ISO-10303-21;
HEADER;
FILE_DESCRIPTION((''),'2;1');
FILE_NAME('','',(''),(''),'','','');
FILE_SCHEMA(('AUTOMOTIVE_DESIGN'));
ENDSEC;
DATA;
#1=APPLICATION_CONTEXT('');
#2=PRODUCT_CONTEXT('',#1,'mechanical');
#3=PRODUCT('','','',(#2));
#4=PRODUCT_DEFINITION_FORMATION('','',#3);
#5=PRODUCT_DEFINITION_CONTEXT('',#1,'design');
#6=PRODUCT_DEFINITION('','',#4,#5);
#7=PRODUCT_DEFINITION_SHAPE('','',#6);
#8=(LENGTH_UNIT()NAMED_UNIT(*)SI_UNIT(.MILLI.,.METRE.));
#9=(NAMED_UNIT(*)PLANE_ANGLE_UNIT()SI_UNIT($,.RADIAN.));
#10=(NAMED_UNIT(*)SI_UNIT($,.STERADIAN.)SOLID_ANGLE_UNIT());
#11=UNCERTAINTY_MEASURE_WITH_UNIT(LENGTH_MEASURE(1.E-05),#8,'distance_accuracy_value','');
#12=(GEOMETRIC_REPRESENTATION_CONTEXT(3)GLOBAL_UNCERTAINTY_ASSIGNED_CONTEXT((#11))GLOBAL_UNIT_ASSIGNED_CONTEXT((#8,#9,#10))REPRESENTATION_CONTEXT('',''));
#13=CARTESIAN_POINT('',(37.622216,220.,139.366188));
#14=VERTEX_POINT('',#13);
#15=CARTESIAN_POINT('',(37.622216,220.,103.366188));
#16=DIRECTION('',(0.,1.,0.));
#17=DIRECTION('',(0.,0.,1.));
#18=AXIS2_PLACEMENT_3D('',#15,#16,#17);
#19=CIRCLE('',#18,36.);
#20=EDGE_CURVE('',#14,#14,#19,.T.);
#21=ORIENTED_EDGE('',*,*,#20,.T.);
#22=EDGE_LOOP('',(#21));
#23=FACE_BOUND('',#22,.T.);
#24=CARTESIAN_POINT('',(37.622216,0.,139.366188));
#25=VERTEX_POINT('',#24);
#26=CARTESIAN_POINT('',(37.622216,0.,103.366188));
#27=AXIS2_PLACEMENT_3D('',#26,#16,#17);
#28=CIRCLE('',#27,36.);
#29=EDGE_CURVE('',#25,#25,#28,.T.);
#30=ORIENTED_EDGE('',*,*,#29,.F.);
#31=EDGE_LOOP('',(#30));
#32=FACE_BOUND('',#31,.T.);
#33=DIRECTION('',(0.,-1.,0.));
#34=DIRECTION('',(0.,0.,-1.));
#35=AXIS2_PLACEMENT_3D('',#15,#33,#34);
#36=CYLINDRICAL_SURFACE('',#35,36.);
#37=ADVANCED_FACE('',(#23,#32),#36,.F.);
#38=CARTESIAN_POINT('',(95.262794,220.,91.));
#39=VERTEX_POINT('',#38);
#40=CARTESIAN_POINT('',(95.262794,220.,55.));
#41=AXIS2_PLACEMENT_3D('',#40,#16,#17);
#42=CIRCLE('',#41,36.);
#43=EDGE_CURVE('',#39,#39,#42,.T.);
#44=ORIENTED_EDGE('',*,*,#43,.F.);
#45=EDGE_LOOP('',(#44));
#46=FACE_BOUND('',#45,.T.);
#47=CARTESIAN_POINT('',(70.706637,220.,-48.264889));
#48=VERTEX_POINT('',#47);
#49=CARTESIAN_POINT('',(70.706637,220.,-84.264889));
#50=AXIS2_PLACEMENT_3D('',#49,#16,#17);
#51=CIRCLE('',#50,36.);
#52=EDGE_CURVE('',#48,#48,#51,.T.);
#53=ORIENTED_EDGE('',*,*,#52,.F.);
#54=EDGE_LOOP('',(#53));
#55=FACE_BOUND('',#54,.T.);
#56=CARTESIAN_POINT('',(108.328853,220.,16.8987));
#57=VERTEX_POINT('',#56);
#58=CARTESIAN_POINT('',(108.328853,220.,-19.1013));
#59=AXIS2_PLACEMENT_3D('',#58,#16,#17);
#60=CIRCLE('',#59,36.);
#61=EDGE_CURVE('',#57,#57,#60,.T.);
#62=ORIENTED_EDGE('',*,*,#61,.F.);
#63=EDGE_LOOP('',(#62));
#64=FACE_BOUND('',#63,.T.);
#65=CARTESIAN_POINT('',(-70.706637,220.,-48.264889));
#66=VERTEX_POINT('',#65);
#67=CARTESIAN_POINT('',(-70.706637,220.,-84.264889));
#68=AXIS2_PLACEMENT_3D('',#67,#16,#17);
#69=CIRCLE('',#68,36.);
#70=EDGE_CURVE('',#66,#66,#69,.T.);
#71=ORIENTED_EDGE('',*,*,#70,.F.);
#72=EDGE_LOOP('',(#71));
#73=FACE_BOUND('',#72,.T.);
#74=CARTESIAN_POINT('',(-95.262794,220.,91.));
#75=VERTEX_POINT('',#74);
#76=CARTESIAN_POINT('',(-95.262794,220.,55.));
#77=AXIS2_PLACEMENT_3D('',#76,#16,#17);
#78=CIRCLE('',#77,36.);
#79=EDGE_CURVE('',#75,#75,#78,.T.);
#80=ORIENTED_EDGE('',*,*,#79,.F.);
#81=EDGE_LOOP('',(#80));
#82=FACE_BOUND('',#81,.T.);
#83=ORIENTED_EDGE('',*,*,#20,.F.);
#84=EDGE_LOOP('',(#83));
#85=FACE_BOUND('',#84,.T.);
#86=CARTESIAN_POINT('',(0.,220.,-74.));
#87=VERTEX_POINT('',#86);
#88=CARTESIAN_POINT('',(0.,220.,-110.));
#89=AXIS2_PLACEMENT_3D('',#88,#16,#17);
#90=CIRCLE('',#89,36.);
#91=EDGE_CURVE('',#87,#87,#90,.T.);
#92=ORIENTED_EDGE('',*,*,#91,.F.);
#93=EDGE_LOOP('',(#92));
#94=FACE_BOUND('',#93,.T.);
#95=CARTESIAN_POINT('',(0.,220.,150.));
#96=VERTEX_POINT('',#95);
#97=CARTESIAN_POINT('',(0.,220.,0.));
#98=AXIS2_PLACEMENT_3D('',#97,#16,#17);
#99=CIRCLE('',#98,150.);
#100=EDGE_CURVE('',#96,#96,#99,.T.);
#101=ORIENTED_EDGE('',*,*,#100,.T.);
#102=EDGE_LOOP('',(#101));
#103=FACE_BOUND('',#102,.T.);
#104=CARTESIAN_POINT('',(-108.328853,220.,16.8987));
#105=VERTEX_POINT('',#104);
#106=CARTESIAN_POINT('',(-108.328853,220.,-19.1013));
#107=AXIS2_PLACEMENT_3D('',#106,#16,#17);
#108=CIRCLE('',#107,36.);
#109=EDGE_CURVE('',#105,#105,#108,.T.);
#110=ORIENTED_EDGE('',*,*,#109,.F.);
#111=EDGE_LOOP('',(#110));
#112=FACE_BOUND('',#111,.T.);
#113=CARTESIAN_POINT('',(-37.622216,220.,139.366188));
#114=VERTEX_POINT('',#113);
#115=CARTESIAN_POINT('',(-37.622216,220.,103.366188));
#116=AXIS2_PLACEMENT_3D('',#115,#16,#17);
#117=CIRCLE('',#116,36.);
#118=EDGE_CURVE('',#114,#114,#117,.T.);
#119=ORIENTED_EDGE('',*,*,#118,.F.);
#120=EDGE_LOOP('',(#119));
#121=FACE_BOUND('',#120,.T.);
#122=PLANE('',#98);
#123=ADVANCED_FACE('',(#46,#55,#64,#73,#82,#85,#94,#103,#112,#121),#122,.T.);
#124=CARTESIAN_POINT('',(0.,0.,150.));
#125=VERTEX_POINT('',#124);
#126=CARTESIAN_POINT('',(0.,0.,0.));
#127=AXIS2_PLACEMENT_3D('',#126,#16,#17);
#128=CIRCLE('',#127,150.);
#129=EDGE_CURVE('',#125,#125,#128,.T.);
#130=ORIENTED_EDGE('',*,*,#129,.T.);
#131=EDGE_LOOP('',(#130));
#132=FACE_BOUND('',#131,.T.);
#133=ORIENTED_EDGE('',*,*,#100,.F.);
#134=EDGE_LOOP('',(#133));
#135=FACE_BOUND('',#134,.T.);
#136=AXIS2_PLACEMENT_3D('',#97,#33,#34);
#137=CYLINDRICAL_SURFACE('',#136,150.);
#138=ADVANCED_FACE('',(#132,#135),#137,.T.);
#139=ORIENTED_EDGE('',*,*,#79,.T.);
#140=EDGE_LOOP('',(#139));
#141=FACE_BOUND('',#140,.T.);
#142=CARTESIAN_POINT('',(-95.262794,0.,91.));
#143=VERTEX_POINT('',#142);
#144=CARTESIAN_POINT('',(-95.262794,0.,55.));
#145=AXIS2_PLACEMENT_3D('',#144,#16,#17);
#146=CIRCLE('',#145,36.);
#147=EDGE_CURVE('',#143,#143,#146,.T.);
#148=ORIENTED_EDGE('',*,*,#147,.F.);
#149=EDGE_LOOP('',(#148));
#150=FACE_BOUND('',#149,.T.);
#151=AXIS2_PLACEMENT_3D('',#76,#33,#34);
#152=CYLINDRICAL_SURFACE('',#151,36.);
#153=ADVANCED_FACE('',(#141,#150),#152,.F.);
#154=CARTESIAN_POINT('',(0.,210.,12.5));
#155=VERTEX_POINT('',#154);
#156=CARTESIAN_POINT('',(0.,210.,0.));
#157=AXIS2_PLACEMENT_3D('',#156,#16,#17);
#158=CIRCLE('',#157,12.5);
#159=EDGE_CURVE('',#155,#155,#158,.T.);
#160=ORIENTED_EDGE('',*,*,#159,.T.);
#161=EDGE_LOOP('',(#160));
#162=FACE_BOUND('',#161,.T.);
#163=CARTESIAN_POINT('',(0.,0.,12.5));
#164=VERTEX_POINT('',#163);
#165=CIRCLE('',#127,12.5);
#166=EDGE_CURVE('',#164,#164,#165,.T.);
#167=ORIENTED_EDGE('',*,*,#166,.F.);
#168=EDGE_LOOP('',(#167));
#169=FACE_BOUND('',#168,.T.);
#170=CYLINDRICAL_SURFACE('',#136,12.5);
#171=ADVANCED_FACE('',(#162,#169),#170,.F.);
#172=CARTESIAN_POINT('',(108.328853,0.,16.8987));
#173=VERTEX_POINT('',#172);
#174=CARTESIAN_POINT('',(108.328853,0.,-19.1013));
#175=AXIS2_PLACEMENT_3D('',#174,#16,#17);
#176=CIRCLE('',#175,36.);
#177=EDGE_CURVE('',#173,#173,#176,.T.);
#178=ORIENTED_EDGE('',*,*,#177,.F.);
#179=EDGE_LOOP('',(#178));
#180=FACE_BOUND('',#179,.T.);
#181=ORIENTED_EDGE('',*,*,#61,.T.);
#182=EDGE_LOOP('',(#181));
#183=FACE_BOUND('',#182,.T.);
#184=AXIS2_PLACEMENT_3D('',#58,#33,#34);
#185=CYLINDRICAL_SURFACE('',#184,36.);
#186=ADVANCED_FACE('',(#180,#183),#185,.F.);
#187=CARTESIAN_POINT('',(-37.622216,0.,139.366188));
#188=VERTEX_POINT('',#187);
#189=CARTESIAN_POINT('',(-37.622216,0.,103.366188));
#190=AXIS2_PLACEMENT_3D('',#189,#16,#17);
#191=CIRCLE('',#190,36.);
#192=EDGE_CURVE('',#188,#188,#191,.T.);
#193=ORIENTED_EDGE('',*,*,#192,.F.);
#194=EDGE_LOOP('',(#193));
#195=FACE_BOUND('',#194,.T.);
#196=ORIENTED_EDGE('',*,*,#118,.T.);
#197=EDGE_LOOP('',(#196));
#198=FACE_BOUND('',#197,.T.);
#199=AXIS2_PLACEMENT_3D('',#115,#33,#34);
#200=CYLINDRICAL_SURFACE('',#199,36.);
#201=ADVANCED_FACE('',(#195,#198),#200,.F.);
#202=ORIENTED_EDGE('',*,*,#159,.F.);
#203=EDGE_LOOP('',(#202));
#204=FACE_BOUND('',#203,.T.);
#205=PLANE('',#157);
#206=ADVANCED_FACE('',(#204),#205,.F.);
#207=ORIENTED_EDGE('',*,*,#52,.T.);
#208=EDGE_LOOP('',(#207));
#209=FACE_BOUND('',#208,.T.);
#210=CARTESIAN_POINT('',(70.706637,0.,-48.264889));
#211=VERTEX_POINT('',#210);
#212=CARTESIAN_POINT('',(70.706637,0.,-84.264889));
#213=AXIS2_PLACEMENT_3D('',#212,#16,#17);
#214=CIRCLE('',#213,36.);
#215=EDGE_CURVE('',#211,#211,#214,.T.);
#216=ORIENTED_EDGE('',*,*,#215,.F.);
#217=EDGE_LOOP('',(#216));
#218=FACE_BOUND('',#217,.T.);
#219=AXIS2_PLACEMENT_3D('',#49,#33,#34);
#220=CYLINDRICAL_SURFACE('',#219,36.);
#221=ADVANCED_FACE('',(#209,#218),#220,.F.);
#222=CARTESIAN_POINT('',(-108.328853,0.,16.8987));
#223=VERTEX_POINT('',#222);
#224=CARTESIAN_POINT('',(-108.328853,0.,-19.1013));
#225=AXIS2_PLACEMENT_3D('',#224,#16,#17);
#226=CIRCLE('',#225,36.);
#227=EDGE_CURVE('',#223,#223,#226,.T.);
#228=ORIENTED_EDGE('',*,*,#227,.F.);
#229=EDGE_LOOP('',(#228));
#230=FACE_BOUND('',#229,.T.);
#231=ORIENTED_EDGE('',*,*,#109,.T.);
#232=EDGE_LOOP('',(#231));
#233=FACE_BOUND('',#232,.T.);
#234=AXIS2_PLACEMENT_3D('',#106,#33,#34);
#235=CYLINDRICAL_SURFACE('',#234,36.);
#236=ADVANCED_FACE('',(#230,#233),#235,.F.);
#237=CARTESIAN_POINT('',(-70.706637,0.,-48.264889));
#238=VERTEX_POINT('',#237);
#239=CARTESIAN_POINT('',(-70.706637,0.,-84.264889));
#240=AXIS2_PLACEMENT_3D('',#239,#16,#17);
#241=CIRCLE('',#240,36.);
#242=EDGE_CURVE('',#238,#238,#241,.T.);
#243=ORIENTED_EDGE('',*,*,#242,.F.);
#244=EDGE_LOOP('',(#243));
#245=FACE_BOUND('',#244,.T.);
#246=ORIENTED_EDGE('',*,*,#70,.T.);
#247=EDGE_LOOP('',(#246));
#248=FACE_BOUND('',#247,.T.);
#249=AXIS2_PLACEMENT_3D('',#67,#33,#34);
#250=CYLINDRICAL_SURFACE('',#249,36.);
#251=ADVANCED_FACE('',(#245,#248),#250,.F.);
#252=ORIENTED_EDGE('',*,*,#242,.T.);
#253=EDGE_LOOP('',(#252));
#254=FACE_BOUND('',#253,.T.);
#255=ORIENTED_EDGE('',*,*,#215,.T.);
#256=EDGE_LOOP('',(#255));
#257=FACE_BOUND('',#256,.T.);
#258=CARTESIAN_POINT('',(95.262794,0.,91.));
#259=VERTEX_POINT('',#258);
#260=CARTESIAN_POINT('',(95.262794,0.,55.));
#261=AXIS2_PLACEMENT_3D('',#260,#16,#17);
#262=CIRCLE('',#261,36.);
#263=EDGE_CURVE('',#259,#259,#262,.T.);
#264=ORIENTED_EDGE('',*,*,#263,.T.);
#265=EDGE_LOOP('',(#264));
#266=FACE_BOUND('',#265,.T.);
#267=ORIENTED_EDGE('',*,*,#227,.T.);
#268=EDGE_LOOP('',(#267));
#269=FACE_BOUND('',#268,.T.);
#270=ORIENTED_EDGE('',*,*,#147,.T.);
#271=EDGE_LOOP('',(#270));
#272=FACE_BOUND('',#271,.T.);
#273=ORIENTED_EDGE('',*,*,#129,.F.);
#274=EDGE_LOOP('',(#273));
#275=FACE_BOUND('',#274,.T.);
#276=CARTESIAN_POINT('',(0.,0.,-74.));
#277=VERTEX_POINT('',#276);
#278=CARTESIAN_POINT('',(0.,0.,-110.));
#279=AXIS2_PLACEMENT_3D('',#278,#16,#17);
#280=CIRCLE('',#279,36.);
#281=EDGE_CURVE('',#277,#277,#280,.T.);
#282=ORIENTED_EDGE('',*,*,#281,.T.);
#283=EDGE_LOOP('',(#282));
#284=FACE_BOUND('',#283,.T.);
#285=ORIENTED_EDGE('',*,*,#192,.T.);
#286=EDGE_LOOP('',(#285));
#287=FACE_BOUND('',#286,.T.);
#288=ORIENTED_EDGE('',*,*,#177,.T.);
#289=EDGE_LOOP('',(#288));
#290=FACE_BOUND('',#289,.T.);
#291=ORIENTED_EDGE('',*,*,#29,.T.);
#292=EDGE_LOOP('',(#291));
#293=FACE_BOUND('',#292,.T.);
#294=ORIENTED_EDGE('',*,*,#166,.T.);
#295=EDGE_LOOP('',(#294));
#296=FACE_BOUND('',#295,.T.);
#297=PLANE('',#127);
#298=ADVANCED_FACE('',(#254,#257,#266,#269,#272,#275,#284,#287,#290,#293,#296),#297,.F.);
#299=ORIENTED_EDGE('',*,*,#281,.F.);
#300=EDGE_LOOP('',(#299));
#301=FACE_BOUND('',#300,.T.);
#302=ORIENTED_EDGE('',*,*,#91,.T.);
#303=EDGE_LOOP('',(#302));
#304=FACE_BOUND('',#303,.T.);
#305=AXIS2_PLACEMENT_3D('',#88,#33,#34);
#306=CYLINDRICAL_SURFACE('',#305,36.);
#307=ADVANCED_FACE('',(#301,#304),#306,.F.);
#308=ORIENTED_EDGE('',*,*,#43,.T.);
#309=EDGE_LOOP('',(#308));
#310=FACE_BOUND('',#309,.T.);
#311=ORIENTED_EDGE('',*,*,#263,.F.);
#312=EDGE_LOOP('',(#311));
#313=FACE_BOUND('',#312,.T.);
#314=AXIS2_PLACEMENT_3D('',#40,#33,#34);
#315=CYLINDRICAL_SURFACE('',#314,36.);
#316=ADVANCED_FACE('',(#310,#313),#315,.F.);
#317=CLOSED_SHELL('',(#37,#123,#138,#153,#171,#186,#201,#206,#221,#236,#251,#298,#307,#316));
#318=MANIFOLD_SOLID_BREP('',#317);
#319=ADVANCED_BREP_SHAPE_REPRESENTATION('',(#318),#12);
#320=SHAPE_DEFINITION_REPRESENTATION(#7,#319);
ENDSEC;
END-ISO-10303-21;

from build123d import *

# Parameters (mm, degrees)
SKETCH_1_R      = 150
SKETCH_1_R_2    = 36
EXTRUDE_1_DEPTH = 220
EXTRUDE_START   = -10
SKETCH_2_R      = 12.5
EXTRUDE_2_DEPTH = 10


with BuildPart() as part:
    # 草圖1 → 填料-伸長1 (new body)
    with BuildSketch(Plane(origin=(0, 0, 0), x_dir=(1, 0, 0), z_dir=(0, 1, 0))):
        with Locations(Location((0, 0, 0), (0, 0, 270))):
            Circle(SKETCH_1_R)
        with Locations(Location((0, 110, 0), (0, 0, 270))):
            Circle(SKETCH_1_R_2, mode=Mode.SUBTRACT)
        with Locations(Location((70.706637066, 84.264888743, 0), (0, 0, 270))):
            Circle(SKETCH_1_R_2, mode=Mode.SUBTRACT)
        with Locations(Location((108.328852831, 19.101299543, 0), (0, 0, 270))):
            Circle(SKETCH_1_R_2, mode=Mode.SUBTRACT)
        with Locations(Location((95.262794416, -55, 0), (0, 0, 270))):
            Circle(SKETCH_1_R_2, mode=Mode.SUBTRACT)
        with Locations(Location((37.622215766, -103.366188286, 0), (0, 0, 270))):
            Circle(SKETCH_1_R_2, mode=Mode.SUBTRACT)
        with Locations(Location((-37.622215766, -103.366188286, 0), (0, 0, 270))):
            Circle(SKETCH_1_R_2, mode=Mode.SUBTRACT)
        with Locations(Location((-95.262794416, -55, 0), (0, 0, 270))):
            Circle(SKETCH_1_R_2, mode=Mode.SUBTRACT)
        with Locations(Location((-108.328852831, 19.101299543, 0), (0, 0, 270))):
            Circle(SKETCH_1_R_2, mode=Mode.SUBTRACT)
        with Locations(Location((-70.706637066, 84.264888743, 0), (0, 0, 270))):
            Circle(SKETCH_1_R_2, mode=Mode.SUBTRACT)
        with BuildLine():
            ThreePointArc((12.247448714, 2.5), (-12.5, 0), (12.247448714, -2.5))
            ThreePointArc((12.247448714, -2.5), (12.5, 0), (12.247448714, 2.5))
        make_face(mode=Mode.SUBTRACT)
    extrude(amount=EXTRUDE_1_DEPTH)

    # 草圖2 → 填料-伸長2 (add)
    with BuildSketch(Plane(origin=(0, 220, 0), x_dir=(1, 0, 0), z_dir=(0, 1, 0)).offset(EXTRUDE_START)):
        with Locations(Location((0, 0, 0), (0, 0, 270))):
            Circle(SKETCH_2_R)
    extrude(amount=EXTRUDE_2_DEPTH)


solid = part.part
